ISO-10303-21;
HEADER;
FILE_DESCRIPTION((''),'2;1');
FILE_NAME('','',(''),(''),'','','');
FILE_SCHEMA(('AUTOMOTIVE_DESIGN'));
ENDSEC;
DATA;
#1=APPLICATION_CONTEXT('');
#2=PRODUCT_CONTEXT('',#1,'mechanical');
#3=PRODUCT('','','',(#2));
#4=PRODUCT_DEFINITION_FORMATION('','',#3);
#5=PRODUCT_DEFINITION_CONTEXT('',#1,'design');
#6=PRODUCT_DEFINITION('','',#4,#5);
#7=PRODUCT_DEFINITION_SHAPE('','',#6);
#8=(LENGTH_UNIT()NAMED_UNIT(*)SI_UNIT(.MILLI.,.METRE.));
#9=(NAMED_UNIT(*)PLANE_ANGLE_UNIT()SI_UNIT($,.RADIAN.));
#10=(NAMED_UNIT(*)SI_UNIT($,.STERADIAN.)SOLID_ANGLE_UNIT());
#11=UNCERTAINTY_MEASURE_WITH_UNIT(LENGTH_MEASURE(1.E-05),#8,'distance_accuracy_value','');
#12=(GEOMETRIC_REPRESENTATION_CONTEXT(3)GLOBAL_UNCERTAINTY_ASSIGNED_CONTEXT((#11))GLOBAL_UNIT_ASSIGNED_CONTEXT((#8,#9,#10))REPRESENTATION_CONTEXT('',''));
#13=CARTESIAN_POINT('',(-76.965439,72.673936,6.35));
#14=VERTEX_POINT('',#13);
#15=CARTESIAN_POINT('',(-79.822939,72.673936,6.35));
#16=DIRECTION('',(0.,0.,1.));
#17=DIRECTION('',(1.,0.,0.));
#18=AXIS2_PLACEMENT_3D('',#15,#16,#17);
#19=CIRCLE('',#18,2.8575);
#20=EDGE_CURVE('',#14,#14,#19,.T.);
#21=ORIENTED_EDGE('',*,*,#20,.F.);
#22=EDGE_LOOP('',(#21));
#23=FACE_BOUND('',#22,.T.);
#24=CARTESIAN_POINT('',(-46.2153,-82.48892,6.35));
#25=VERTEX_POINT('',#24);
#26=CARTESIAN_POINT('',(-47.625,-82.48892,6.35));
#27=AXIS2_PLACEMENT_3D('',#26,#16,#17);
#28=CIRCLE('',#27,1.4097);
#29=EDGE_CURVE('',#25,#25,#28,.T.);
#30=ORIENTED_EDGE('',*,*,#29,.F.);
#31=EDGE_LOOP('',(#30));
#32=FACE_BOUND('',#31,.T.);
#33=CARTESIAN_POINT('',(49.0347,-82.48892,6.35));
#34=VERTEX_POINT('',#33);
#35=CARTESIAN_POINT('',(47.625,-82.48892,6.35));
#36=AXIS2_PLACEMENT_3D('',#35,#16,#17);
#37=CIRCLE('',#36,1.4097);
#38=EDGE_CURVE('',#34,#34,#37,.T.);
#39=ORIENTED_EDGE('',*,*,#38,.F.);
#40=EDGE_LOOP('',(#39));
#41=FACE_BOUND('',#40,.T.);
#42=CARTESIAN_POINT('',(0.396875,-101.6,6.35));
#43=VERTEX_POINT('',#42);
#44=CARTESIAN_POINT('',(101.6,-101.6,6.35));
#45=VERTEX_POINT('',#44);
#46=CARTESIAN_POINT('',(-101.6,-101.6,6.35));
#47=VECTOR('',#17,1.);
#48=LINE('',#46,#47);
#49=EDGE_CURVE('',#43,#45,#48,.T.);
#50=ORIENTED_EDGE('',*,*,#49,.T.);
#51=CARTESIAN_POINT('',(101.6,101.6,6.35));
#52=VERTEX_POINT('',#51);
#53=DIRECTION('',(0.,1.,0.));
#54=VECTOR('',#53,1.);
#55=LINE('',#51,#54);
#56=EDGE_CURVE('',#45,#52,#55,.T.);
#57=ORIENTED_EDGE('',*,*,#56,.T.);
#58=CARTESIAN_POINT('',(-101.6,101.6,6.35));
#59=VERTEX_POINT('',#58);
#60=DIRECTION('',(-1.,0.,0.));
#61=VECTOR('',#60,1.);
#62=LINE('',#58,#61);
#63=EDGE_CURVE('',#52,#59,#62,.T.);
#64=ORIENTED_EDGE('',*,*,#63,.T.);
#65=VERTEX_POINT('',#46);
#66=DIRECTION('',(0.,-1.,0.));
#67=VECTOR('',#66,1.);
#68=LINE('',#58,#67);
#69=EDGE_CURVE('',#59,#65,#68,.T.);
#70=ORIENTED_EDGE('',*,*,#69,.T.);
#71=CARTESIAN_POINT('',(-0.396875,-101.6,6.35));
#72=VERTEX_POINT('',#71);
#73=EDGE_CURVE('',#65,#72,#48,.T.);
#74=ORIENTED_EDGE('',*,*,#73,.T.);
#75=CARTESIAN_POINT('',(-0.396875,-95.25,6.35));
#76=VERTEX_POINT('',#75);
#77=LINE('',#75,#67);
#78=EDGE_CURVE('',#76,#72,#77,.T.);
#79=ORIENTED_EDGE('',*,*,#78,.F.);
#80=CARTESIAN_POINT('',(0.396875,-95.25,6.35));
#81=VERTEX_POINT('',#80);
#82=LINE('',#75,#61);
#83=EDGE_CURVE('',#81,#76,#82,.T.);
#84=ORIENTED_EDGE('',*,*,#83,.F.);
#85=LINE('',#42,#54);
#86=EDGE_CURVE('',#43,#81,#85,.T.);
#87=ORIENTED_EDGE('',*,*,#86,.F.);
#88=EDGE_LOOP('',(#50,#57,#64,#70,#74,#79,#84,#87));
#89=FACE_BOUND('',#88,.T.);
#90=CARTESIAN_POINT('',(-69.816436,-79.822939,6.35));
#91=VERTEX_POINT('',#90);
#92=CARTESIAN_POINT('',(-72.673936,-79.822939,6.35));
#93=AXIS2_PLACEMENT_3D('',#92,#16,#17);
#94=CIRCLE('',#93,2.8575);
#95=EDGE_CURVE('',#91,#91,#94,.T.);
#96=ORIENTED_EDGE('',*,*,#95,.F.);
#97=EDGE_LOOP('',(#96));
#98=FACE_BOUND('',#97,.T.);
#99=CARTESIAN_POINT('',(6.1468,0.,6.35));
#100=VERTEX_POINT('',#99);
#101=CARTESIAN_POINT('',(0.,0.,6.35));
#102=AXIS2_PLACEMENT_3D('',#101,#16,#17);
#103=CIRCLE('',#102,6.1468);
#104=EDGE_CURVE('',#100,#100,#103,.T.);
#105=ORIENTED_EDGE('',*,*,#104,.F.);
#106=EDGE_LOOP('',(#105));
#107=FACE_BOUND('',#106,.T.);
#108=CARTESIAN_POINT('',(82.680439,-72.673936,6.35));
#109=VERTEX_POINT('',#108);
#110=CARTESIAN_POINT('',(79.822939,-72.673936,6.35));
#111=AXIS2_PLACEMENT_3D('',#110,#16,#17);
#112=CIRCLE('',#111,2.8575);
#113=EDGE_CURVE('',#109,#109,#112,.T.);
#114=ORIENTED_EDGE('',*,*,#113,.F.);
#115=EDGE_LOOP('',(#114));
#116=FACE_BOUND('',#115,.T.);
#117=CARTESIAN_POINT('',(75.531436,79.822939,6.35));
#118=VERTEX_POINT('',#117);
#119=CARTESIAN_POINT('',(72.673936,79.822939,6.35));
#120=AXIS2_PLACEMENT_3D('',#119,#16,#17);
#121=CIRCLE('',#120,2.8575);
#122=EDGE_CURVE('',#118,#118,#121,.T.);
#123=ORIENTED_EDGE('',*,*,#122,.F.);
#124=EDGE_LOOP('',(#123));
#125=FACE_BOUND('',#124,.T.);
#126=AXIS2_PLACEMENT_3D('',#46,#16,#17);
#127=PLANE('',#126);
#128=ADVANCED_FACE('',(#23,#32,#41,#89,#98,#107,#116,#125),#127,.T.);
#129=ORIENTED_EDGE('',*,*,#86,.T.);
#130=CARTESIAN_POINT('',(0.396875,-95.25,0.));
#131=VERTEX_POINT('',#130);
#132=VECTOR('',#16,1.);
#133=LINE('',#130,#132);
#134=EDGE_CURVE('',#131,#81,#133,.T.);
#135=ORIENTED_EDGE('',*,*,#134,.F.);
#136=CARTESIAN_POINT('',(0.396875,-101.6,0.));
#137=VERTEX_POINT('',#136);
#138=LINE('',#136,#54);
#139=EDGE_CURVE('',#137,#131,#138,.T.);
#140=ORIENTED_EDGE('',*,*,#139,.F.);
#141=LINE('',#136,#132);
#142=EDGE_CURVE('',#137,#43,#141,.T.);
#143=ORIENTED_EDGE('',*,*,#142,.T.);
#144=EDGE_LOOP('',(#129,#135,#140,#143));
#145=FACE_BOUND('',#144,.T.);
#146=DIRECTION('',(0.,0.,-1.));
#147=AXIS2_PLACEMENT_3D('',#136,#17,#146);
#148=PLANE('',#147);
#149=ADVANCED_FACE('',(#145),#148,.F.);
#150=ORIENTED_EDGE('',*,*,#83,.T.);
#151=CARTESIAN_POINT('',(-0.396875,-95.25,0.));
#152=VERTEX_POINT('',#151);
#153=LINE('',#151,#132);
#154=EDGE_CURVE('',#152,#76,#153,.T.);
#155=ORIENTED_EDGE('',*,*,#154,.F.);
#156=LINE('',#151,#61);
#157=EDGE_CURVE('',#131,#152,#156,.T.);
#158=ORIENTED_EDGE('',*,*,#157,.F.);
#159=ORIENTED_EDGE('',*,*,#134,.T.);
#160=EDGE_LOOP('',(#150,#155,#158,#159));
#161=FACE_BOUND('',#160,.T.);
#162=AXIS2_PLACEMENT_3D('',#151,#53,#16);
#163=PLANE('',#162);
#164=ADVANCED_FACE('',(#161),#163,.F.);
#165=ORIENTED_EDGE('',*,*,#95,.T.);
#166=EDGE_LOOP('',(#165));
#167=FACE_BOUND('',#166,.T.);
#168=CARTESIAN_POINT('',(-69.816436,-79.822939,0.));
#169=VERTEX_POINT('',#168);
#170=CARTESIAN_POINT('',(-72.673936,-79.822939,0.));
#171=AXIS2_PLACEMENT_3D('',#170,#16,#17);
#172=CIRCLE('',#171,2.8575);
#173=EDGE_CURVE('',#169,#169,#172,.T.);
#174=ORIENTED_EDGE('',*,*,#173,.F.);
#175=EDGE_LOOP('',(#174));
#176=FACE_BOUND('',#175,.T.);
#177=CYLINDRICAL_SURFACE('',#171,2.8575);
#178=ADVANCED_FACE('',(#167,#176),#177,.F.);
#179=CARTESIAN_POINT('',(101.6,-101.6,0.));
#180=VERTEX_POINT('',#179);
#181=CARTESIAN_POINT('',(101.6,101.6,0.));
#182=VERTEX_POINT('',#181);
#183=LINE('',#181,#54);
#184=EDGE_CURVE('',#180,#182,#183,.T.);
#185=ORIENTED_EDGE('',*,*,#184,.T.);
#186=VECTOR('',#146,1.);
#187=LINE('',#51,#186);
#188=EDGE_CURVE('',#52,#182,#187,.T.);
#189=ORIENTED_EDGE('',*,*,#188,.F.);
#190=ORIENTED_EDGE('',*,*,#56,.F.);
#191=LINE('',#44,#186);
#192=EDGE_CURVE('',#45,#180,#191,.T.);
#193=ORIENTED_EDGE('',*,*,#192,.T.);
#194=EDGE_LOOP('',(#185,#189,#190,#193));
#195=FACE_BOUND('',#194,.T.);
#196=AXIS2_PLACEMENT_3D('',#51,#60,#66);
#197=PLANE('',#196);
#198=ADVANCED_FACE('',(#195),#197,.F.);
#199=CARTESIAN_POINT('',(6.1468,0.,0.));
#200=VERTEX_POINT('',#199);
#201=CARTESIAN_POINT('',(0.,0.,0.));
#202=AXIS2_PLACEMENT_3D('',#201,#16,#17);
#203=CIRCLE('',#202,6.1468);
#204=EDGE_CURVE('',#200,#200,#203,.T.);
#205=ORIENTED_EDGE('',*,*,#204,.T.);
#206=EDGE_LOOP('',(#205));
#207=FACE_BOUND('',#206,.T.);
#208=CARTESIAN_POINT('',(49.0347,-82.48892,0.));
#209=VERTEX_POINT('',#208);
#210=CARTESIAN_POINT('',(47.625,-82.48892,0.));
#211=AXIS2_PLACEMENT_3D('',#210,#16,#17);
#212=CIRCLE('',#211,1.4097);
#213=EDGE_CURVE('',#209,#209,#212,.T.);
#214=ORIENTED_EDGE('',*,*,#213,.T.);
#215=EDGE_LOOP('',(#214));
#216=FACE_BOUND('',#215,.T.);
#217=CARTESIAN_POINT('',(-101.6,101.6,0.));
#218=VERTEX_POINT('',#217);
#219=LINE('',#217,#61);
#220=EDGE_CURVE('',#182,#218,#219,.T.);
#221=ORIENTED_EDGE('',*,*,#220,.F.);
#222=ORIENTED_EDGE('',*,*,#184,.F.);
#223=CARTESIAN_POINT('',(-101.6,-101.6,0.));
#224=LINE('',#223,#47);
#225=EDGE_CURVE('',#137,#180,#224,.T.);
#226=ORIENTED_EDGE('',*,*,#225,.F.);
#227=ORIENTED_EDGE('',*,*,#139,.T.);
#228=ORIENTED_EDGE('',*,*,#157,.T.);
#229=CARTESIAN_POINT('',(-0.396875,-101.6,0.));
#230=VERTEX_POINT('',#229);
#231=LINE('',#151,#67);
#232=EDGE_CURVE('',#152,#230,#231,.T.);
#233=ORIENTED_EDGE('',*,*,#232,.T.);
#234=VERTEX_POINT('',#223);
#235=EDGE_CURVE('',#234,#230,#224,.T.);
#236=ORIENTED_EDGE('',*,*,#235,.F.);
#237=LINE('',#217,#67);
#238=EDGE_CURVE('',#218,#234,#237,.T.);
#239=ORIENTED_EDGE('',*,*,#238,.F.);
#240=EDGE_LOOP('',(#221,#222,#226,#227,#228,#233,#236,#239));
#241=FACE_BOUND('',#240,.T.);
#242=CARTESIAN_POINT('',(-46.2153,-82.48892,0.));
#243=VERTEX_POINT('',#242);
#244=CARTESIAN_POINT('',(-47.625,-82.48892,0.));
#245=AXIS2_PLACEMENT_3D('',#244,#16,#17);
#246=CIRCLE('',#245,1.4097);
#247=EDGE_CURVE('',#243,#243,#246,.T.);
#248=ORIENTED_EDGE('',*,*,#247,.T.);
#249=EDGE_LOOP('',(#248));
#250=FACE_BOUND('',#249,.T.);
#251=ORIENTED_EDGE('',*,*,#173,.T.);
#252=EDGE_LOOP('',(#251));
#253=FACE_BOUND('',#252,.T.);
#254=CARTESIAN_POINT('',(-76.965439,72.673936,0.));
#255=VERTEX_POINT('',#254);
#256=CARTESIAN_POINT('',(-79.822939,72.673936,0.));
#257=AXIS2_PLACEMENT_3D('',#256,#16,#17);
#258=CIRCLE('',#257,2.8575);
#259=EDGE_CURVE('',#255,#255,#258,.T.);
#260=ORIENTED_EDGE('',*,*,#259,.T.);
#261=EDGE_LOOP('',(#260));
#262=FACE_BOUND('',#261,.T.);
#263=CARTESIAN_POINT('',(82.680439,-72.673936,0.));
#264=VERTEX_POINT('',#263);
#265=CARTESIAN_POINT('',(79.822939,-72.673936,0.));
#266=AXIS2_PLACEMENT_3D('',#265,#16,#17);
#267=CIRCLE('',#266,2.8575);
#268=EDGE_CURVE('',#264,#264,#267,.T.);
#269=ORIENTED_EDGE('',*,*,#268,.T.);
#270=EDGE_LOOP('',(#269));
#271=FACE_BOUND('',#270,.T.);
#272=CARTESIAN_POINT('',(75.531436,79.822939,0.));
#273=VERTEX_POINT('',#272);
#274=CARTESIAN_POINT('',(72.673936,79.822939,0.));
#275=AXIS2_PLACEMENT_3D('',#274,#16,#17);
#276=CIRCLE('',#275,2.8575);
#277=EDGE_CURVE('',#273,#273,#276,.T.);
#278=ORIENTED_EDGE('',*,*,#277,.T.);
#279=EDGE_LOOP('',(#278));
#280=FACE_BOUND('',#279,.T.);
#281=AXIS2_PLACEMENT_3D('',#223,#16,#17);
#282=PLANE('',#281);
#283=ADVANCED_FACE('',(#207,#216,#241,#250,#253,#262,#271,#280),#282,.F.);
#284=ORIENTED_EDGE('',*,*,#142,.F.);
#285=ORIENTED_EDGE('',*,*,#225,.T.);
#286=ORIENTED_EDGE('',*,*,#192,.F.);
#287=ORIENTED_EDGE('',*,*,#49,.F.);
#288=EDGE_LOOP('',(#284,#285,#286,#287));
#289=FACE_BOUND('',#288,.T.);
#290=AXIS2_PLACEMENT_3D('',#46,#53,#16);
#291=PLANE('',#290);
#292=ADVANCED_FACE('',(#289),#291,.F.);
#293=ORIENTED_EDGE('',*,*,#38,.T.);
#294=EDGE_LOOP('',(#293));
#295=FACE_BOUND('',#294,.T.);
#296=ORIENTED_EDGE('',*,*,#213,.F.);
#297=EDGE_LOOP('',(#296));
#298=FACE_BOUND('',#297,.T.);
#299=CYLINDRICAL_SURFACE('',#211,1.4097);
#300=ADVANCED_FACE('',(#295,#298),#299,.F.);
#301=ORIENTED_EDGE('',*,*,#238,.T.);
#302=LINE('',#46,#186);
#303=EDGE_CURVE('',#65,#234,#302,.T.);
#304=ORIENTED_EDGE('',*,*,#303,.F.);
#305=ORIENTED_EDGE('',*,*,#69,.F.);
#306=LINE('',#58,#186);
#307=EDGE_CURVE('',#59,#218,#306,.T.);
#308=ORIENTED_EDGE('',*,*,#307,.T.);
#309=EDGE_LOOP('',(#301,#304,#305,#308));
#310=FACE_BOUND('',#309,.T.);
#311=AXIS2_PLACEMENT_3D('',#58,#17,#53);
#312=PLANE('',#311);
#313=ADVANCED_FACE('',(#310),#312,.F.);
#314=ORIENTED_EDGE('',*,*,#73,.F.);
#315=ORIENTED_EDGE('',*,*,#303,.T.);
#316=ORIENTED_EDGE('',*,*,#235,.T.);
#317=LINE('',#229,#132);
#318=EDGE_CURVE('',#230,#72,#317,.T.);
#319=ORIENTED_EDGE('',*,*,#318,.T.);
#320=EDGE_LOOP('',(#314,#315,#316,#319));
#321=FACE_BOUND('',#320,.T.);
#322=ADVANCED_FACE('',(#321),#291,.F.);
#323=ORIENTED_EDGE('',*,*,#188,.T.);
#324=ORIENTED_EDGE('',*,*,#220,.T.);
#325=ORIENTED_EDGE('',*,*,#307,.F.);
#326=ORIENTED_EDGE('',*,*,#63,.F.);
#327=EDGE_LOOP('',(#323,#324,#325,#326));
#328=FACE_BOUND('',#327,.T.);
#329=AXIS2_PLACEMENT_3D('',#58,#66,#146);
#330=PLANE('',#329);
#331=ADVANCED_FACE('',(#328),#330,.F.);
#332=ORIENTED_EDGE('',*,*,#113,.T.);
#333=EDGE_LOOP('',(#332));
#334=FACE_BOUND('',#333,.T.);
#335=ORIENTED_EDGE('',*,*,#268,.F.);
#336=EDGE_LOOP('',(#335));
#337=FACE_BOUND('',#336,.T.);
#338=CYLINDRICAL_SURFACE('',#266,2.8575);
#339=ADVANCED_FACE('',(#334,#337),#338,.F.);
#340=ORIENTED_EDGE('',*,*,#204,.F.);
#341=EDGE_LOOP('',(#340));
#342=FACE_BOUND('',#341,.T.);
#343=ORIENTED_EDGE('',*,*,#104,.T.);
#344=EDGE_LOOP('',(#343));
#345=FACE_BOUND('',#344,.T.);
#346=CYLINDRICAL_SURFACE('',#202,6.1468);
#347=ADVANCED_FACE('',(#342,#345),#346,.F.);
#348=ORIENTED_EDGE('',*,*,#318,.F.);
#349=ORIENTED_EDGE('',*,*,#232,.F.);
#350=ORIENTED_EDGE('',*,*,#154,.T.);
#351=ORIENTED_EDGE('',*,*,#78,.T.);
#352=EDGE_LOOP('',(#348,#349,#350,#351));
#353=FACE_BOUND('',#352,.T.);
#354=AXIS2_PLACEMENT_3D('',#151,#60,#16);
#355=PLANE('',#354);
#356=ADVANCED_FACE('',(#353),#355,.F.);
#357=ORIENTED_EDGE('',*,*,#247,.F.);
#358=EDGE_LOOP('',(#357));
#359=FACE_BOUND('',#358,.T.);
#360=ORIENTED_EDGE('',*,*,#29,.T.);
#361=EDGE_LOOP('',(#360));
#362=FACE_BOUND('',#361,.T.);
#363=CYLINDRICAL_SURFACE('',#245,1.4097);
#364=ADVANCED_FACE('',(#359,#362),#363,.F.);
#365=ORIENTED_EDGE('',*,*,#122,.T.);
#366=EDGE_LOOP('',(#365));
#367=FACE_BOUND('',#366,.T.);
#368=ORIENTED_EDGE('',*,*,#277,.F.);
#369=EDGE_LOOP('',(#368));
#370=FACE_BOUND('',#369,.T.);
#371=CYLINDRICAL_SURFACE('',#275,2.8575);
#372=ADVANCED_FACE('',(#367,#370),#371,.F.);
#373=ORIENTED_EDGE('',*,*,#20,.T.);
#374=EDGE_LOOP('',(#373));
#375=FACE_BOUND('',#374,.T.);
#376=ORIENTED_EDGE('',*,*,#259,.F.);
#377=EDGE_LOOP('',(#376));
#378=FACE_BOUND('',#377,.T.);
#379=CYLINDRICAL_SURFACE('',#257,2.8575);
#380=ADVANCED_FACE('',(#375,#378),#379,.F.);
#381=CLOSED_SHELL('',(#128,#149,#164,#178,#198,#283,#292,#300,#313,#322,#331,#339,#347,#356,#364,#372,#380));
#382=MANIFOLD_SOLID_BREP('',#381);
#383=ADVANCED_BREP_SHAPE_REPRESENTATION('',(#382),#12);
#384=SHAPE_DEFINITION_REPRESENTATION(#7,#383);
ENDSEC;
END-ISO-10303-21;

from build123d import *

# Parameters (mm, degrees)
SKETCH1_W      = 203.2
SKETCH1_H      = 203.2
EXTRUDE1_DEPTH = 6.35
SKETCH2_R      = 6.1468
EXTRUDE2_DEPTH = 144.824345992
SKETCH3_R      = 1.4097
EXTRUDE3_DEPTH = 144.824345992
SKETCH4_W      = 0.79375
SKETCH4_H      = 6.35
EXTRUDE4_DEPTH = 6.35
SKETCH5_R      = 2.8575
EXTRUDE5_DEPTH = 144.824345992


with BuildPart() as part:
    # Sketch1 → Extrude1 (new body)
    with BuildSketch(Plane.XY):
        Rectangle(SKETCH1_W, SKETCH1_H)
    extrude(amount=EXTRUDE1_DEPTH)

    # Sketch2 → Extrude2 (cut, through all)
    with BuildSketch(Plane.XY.offset(6.35)):
        Circle(SKETCH2_R)
    extrude(amount=-EXTRUDE2_DEPTH, mode=Mode.SUBTRACT)

    # Sketch3 → Extrude3 (cut, through all)
    with BuildSketch(Plane.XY.offset(6.35)):
        with Locations((-47.625, -82.48891971)):
            Circle(SKETCH3_R)
        with Locations((47.625, -82.48891971)):
            Circle(SKETCH3_R)
    extrude(amount=-EXTRUDE3_DEPTH, mode=Mode.SUBTRACT)

    # Sketch4 → Extrude4 (cut)
    with BuildSketch(Plane.XY.offset(6.35)):
        with Locations((0, -98.425)):
            Rectangle(SKETCH4_W, SKETCH4_H)
    extrude(amount=-EXTRUDE4_DEPTH, mode=Mode.SUBTRACT)

    # Sketch5 → Extrude5 (cut, through all)
    with BuildSketch(Plane.XY.offset(6.35)):
        with Locations((-79.82293888, 72.673935689)):
            Circle(SKETCH5_R)
        with Locations((72.673935689, 79.82293888)):
            Circle(SKETCH5_R)
        with Locations((-72.673935689, -79.82293888)):
            Circle(SKETCH5_R)
        with Locations((79.82293888, -72.673935689)):
            Circle(SKETCH5_R)
    extrude(amount=-EXTRUDE5_DEPTH, mode=Mode.SUBTRACT)


solid = part.part
